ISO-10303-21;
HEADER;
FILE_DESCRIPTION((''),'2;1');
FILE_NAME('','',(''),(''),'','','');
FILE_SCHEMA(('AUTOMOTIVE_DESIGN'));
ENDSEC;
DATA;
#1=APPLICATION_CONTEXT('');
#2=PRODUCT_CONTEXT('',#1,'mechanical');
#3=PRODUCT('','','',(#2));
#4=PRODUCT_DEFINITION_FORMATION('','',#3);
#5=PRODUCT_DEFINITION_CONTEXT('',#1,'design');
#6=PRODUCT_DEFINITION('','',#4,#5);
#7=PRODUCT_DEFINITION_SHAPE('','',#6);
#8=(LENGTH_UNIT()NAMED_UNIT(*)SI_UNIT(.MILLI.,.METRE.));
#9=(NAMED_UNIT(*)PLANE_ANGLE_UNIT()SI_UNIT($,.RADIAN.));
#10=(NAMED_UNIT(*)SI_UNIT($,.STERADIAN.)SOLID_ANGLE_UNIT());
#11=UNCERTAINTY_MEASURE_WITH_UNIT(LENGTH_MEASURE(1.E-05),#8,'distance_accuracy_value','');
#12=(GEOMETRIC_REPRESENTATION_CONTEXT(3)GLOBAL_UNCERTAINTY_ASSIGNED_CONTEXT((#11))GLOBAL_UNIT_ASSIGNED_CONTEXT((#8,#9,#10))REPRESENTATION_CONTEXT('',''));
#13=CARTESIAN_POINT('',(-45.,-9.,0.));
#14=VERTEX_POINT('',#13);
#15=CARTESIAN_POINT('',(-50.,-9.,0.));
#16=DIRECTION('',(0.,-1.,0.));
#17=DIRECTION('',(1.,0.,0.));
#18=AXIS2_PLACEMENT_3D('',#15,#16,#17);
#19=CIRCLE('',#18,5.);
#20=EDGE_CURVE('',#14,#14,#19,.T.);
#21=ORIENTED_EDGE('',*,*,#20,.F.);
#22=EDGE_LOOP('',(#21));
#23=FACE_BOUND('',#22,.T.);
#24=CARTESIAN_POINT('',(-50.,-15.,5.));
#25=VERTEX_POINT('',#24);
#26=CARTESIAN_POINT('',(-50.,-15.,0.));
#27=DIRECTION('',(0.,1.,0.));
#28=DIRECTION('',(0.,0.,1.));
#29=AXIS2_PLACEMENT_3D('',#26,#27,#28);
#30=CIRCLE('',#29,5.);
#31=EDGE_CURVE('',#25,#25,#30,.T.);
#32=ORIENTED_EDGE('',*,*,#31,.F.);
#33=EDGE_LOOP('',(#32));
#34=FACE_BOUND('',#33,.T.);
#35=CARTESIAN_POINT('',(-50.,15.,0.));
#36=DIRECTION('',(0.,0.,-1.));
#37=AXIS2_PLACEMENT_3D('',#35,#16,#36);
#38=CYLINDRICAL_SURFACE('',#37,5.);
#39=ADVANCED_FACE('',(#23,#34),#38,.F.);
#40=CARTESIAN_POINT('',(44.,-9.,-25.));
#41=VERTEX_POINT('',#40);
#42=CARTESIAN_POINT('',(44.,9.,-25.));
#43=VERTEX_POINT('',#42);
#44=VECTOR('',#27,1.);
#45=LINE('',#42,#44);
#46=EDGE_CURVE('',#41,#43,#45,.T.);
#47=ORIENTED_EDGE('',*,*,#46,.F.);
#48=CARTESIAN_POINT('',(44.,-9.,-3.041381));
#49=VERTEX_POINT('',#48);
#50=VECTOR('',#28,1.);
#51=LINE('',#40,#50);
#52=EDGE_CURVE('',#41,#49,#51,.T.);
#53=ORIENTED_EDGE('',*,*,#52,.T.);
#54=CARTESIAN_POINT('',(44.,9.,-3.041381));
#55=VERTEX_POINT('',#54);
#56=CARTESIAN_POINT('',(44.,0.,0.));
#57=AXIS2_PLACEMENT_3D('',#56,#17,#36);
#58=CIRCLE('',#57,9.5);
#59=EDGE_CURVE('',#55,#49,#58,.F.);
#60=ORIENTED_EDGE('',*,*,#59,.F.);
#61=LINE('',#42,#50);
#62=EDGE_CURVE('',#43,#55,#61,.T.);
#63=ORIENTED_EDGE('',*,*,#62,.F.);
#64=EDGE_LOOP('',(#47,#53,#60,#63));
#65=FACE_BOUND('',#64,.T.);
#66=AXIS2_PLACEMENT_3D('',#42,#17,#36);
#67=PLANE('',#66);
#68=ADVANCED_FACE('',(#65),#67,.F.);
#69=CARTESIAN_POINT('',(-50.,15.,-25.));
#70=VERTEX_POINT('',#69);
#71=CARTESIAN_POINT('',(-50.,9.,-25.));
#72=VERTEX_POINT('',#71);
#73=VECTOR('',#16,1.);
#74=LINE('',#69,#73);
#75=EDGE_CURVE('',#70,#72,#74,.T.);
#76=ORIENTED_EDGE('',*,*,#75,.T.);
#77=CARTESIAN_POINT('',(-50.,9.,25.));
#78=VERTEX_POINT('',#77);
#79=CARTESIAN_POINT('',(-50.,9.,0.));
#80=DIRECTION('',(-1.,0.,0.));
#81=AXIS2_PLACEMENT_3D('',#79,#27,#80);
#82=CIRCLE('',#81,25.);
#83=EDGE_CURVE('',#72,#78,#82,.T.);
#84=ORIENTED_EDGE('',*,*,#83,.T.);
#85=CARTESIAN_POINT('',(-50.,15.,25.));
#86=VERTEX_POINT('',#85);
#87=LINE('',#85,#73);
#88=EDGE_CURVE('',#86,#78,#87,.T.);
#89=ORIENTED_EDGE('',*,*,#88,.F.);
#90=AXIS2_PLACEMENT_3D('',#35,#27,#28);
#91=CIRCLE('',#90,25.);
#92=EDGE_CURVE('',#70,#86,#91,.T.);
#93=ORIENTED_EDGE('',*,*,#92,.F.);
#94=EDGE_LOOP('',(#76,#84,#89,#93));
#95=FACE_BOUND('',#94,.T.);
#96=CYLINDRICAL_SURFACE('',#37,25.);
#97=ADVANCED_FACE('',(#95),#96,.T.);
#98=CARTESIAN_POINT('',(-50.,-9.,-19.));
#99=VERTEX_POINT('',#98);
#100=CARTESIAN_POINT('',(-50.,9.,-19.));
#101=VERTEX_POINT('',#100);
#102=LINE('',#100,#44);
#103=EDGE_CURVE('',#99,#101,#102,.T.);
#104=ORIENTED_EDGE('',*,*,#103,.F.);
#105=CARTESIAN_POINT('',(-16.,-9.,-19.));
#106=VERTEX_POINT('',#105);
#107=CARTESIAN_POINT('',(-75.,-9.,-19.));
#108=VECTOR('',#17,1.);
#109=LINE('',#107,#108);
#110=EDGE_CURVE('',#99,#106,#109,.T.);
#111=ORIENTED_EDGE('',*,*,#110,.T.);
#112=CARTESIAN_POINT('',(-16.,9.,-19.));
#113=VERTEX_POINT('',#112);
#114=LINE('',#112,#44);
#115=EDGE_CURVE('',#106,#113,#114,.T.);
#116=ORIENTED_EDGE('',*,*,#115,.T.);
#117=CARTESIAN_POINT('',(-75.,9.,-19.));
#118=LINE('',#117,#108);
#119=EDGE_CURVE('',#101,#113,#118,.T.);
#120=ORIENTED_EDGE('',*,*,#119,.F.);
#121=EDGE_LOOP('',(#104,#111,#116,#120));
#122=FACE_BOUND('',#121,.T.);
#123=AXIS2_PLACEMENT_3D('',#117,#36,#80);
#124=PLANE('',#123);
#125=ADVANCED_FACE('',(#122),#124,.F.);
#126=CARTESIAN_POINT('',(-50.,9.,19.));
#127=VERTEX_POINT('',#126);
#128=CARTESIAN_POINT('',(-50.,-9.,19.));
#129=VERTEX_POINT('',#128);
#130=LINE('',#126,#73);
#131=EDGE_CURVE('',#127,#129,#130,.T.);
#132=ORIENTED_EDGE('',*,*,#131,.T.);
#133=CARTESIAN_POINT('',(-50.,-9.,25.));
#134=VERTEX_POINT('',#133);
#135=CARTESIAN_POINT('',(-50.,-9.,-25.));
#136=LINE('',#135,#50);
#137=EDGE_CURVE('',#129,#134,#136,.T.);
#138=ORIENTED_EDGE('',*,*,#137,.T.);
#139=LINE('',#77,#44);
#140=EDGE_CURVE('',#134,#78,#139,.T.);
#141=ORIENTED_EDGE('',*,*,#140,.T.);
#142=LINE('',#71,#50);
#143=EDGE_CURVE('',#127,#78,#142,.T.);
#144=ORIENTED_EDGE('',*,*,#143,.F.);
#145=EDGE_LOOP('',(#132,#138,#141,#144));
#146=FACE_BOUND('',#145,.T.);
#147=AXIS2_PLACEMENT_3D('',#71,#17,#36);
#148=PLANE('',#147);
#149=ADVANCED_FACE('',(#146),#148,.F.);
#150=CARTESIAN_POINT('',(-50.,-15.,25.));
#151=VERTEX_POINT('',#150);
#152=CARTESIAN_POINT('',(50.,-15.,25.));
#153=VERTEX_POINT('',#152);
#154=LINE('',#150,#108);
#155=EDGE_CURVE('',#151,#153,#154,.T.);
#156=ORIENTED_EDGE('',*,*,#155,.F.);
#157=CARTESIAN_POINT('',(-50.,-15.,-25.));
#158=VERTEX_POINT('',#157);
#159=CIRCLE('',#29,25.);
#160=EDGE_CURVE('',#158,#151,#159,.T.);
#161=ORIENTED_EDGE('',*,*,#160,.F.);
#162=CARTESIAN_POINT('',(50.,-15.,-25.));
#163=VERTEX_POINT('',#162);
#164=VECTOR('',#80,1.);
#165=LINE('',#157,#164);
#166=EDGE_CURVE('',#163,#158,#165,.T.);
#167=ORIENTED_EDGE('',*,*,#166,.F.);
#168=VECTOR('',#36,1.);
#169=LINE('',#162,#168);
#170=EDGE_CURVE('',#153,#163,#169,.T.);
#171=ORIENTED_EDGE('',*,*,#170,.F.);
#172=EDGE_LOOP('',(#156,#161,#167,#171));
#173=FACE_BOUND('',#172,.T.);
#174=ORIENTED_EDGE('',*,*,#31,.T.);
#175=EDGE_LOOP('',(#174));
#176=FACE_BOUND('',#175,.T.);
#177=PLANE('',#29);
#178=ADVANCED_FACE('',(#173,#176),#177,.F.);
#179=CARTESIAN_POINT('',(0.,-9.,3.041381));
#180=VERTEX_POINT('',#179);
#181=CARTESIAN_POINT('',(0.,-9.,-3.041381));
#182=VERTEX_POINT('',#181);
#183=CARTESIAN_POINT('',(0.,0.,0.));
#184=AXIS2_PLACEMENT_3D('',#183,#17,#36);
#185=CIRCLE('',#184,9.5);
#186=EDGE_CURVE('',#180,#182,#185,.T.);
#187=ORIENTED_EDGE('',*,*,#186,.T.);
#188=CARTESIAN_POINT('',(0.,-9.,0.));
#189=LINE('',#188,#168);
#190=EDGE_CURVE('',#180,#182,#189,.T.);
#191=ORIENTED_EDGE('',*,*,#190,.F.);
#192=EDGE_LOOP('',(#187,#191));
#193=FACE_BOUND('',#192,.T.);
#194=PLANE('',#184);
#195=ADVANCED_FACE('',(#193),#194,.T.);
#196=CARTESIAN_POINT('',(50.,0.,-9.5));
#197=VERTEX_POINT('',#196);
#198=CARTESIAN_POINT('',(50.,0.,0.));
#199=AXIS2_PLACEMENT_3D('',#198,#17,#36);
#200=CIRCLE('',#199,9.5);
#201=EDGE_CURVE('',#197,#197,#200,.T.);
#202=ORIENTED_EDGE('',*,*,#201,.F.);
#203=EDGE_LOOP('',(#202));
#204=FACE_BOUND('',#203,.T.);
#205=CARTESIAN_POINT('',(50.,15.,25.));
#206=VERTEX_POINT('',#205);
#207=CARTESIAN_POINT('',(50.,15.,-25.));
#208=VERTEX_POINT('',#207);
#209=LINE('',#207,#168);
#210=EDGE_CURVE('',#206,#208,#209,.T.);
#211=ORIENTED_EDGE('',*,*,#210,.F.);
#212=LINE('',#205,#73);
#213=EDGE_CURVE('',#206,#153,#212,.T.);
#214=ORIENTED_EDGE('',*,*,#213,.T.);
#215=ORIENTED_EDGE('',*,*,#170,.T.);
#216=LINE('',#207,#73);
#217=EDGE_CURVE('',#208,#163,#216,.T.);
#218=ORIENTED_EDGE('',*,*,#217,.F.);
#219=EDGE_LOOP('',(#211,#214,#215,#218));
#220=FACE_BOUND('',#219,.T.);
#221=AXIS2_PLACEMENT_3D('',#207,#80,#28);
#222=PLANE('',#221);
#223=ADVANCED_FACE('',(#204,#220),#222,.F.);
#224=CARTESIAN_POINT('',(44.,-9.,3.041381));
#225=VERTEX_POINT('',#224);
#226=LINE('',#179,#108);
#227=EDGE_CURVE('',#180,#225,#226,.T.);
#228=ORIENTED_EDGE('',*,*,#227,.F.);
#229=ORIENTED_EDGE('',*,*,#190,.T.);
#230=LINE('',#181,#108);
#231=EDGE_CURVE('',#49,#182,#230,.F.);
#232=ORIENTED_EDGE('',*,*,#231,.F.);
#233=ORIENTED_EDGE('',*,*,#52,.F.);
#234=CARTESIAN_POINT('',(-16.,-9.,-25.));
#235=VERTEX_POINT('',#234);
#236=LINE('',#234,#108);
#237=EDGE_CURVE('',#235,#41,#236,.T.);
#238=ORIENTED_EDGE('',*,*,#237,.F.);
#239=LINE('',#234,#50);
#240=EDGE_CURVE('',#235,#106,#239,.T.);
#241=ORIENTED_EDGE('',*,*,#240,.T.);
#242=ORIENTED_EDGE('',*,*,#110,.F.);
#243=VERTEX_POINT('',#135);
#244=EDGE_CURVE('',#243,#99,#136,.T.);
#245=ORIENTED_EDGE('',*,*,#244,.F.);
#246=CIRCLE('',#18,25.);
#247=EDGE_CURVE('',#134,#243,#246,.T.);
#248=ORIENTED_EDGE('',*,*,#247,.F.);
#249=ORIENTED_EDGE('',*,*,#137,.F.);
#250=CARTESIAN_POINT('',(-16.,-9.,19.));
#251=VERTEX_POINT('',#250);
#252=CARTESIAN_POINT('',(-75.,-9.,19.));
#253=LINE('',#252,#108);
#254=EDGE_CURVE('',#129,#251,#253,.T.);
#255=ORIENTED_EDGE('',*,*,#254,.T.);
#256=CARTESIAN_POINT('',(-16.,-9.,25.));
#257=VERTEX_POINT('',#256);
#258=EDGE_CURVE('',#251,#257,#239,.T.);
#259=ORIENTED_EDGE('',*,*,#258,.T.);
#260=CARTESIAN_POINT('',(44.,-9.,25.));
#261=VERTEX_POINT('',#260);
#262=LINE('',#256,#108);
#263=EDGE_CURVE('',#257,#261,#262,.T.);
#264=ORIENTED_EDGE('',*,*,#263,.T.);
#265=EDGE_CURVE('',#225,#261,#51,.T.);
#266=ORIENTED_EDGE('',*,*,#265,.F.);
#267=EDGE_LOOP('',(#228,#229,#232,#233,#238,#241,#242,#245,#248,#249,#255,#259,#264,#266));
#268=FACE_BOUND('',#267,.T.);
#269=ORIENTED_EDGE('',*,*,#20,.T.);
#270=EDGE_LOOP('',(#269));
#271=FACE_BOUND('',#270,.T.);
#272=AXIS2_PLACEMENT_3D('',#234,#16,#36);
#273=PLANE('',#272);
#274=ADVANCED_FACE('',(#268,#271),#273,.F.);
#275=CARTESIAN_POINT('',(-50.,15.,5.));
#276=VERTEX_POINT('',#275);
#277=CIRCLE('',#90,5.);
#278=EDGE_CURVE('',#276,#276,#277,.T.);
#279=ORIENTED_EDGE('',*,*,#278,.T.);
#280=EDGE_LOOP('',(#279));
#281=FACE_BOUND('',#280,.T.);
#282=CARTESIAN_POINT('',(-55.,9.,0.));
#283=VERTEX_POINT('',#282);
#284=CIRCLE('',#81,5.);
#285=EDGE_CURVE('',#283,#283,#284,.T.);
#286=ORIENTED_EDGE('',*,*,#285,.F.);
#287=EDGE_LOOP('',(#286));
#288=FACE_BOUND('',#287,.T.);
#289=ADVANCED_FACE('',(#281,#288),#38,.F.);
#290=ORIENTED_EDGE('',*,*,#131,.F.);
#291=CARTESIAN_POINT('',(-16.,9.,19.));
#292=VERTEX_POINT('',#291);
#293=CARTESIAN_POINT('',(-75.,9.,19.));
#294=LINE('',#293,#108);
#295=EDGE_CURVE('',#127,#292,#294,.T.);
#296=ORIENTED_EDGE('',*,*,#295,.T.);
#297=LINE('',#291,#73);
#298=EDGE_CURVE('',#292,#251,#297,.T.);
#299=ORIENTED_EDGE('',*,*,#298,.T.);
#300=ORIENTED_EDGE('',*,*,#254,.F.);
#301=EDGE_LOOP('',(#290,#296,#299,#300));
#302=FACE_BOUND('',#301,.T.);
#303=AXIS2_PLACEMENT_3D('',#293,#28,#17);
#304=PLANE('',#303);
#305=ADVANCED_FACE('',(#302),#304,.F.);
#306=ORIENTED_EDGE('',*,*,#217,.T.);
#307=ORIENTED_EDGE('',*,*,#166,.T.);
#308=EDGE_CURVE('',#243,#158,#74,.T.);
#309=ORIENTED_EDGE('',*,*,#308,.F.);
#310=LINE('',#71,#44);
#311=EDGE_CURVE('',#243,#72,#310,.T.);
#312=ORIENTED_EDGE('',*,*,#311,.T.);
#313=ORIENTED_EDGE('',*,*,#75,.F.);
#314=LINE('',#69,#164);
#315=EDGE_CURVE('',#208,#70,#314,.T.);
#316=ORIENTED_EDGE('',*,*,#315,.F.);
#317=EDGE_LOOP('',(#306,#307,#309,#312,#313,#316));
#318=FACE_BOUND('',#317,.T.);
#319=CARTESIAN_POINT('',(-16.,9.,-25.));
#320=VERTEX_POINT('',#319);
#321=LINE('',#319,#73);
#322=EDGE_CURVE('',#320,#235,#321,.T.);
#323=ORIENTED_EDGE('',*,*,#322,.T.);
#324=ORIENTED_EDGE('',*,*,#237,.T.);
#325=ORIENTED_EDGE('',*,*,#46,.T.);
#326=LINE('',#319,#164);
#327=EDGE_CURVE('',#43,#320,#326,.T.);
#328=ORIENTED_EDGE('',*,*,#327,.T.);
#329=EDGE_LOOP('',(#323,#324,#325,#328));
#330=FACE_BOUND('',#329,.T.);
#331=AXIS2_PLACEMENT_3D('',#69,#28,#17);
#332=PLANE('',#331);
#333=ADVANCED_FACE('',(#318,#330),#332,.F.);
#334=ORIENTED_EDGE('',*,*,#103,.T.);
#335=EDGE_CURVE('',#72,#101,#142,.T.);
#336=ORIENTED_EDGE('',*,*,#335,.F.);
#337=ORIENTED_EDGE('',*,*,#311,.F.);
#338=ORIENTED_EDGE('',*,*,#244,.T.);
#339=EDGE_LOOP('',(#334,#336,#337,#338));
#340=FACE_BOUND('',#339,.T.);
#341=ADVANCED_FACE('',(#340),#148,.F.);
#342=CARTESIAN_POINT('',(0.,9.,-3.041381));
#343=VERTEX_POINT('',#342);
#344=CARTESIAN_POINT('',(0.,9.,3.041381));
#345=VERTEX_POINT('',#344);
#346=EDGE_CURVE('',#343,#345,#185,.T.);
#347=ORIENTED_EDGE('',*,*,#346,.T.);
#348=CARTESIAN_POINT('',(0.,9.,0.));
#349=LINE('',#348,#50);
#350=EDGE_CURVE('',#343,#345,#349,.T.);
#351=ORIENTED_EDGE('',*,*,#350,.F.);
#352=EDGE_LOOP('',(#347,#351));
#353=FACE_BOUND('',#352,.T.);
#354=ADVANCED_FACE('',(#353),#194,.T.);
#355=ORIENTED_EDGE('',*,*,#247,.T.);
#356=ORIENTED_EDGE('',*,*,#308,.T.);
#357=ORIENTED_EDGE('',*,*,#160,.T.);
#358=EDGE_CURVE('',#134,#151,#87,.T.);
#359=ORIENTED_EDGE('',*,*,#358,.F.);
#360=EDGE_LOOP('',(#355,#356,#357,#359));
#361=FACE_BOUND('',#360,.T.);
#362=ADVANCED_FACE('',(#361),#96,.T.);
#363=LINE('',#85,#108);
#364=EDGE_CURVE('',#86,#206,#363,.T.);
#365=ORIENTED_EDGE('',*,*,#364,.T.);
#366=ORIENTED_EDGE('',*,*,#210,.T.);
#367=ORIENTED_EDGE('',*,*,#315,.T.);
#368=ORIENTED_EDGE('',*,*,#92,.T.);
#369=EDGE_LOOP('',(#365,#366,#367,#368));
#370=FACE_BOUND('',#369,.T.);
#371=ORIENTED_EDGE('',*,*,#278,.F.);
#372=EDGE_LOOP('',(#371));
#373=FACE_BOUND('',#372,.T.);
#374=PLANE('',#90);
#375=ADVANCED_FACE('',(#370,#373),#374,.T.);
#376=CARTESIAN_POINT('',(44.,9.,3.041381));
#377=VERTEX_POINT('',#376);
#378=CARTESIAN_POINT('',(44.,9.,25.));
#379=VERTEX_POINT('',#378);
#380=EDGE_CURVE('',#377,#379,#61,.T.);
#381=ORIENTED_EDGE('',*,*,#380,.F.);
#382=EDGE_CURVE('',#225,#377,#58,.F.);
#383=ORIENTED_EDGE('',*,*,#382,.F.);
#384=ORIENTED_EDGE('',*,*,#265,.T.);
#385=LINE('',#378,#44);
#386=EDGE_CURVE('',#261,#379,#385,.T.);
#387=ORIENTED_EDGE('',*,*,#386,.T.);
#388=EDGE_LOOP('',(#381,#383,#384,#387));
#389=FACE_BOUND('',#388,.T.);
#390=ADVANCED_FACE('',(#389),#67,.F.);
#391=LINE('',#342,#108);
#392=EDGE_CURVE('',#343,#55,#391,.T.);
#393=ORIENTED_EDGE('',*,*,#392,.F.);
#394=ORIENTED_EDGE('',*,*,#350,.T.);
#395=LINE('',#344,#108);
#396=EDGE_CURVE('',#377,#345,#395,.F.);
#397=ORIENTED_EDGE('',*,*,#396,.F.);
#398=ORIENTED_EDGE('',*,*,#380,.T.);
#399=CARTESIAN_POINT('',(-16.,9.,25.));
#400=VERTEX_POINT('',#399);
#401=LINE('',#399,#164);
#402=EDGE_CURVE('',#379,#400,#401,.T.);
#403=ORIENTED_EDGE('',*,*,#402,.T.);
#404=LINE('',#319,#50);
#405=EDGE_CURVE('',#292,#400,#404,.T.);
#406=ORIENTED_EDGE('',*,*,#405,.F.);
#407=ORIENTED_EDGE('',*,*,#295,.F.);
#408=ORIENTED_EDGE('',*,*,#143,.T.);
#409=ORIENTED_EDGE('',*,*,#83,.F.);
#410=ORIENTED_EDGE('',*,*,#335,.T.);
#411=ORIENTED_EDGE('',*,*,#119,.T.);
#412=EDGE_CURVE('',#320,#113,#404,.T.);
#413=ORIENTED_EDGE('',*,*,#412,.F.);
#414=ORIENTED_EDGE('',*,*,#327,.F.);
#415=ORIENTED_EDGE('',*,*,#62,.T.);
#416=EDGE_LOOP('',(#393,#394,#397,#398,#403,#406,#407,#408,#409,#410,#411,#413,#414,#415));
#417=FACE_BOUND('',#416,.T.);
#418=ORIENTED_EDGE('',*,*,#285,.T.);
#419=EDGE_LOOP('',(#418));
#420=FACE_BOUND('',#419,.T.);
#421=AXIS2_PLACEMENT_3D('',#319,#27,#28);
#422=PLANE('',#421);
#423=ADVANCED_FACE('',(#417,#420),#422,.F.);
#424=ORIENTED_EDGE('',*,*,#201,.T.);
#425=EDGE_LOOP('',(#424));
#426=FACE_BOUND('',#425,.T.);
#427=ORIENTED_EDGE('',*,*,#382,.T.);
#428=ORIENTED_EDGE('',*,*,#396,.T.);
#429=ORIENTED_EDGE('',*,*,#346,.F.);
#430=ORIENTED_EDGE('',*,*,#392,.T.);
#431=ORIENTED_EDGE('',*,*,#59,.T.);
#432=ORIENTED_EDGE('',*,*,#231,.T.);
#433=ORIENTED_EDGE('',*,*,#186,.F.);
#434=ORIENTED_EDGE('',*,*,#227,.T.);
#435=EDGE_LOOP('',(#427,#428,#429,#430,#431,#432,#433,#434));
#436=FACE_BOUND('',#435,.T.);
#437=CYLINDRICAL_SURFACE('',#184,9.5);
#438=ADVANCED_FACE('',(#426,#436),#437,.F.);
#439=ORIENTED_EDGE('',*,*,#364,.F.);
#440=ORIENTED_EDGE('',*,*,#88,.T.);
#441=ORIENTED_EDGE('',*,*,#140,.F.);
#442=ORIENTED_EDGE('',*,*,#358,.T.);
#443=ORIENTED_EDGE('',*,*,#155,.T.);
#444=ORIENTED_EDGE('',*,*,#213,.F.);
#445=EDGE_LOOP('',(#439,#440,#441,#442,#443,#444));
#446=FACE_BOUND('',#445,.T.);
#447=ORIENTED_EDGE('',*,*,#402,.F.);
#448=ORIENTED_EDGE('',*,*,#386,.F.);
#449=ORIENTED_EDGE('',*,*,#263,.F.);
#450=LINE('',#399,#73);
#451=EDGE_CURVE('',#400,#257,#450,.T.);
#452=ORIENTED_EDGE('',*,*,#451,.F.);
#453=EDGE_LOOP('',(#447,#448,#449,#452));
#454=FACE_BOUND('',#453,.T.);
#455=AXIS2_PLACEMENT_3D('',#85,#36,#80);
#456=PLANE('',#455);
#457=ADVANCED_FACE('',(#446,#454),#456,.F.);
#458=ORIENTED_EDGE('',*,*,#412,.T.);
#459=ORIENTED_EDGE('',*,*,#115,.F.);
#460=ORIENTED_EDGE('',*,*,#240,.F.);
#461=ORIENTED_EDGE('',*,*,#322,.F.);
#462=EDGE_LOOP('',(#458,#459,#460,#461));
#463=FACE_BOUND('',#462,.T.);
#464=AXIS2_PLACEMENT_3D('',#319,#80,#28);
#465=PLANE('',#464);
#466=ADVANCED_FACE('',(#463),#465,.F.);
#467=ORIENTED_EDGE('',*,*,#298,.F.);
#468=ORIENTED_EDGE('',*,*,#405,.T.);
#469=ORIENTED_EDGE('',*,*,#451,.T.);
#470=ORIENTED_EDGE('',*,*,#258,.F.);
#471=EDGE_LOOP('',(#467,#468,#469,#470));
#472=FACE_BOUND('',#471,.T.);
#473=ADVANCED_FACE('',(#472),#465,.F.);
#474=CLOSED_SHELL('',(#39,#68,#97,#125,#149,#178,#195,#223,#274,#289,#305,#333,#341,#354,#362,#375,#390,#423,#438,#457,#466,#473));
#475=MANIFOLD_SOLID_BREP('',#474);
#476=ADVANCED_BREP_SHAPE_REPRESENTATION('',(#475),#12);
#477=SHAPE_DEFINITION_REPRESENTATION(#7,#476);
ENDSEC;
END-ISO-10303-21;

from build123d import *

# Parameters (mm, degrees)
SKETCH1_R               = 5
BOSS_EXTRUDE1_DEPTH     = 15
SKETCH5_R               = 9.5
CUT_EXTRUDE1_DEPTH      = 50
CUT_EXTRUDE2_DEPTH      = 81.467384697
CUT_EXTRUDE2_DEPTH_BACK = 81.467384697
SKETCH6_W               = 60
SKETCH6_H               = 18
SKETCH6_W_2             = 25
SKETCH7_W               = 38
SKETCH7_H               = 18
CUT_EXTRUDE3_DEPTH      = 73.15261603


with BuildPart() as part:
    # Sketch1 → Boss-Extrude1 (new, symmetric)
    with BuildSketch(Plane(origin=(0, 0, 0), x_dir=(1, 0, 0), z_dir=(0, 1, 0))):
        with BuildLine():
            Line((-50, 25), (50, 25))
            Line((50, 25), (50, -25))
            Line((50, -25), (-50, -25))
            ThreePointArc((-50, -25), (-75, 0), (-50, 25))
        make_face()
        with Locations(Location((-50, 0, 0), (0, 0, 270))):
            Circle(SKETCH1_R, mode=Mode.SUBTRACT)
    extrude(amount=BOSS_EXTRUDE1_DEPTH, both=True)

    # Sketch5 → Cut-Extrude1 (cut)
    with BuildSketch(Plane(origin=(50, 0, 0), x_dir=(0, 0, -1), z_dir=(1, 0, 0))):
        Circle(SKETCH5_R)
    extrude(amount=-CUT_EXTRUDE1_DEPTH, mode=Mode.SUBTRACT)

    # Sketch6 → Cut-Extrude2 (cut, two sides: drawn at the far end of the back side and taken through both)
    with BuildSketch(Plane.XY.offset(-CUT_EXTRUDE2_DEPTH_BACK)):
        with Locations((14, 0)):
            Rectangle(SKETCH6_W, SKETCH6_H)
        with Locations((-62.5, 0)):
            Rectangle(SKETCH6_W_2, SKETCH6_H)
    extrude(amount=CUT_EXTRUDE2_DEPTH + CUT_EXTRUDE2_DEPTH_BACK, mode=Mode.SUBTRACT)

    # Sketch7 → Cut-Extrude3 (cut, through all)
    with BuildSketch(Plane(origin=(-16, 0, 0), x_dir=(0, 0, -1), z_dir=(1, 0, 0))):
        Rectangle(SKETCH7_W, SKETCH7_H)
    extrude(amount=-CUT_EXTRUDE3_DEPTH, mode=Mode.SUBTRACT)


solid = part.part
